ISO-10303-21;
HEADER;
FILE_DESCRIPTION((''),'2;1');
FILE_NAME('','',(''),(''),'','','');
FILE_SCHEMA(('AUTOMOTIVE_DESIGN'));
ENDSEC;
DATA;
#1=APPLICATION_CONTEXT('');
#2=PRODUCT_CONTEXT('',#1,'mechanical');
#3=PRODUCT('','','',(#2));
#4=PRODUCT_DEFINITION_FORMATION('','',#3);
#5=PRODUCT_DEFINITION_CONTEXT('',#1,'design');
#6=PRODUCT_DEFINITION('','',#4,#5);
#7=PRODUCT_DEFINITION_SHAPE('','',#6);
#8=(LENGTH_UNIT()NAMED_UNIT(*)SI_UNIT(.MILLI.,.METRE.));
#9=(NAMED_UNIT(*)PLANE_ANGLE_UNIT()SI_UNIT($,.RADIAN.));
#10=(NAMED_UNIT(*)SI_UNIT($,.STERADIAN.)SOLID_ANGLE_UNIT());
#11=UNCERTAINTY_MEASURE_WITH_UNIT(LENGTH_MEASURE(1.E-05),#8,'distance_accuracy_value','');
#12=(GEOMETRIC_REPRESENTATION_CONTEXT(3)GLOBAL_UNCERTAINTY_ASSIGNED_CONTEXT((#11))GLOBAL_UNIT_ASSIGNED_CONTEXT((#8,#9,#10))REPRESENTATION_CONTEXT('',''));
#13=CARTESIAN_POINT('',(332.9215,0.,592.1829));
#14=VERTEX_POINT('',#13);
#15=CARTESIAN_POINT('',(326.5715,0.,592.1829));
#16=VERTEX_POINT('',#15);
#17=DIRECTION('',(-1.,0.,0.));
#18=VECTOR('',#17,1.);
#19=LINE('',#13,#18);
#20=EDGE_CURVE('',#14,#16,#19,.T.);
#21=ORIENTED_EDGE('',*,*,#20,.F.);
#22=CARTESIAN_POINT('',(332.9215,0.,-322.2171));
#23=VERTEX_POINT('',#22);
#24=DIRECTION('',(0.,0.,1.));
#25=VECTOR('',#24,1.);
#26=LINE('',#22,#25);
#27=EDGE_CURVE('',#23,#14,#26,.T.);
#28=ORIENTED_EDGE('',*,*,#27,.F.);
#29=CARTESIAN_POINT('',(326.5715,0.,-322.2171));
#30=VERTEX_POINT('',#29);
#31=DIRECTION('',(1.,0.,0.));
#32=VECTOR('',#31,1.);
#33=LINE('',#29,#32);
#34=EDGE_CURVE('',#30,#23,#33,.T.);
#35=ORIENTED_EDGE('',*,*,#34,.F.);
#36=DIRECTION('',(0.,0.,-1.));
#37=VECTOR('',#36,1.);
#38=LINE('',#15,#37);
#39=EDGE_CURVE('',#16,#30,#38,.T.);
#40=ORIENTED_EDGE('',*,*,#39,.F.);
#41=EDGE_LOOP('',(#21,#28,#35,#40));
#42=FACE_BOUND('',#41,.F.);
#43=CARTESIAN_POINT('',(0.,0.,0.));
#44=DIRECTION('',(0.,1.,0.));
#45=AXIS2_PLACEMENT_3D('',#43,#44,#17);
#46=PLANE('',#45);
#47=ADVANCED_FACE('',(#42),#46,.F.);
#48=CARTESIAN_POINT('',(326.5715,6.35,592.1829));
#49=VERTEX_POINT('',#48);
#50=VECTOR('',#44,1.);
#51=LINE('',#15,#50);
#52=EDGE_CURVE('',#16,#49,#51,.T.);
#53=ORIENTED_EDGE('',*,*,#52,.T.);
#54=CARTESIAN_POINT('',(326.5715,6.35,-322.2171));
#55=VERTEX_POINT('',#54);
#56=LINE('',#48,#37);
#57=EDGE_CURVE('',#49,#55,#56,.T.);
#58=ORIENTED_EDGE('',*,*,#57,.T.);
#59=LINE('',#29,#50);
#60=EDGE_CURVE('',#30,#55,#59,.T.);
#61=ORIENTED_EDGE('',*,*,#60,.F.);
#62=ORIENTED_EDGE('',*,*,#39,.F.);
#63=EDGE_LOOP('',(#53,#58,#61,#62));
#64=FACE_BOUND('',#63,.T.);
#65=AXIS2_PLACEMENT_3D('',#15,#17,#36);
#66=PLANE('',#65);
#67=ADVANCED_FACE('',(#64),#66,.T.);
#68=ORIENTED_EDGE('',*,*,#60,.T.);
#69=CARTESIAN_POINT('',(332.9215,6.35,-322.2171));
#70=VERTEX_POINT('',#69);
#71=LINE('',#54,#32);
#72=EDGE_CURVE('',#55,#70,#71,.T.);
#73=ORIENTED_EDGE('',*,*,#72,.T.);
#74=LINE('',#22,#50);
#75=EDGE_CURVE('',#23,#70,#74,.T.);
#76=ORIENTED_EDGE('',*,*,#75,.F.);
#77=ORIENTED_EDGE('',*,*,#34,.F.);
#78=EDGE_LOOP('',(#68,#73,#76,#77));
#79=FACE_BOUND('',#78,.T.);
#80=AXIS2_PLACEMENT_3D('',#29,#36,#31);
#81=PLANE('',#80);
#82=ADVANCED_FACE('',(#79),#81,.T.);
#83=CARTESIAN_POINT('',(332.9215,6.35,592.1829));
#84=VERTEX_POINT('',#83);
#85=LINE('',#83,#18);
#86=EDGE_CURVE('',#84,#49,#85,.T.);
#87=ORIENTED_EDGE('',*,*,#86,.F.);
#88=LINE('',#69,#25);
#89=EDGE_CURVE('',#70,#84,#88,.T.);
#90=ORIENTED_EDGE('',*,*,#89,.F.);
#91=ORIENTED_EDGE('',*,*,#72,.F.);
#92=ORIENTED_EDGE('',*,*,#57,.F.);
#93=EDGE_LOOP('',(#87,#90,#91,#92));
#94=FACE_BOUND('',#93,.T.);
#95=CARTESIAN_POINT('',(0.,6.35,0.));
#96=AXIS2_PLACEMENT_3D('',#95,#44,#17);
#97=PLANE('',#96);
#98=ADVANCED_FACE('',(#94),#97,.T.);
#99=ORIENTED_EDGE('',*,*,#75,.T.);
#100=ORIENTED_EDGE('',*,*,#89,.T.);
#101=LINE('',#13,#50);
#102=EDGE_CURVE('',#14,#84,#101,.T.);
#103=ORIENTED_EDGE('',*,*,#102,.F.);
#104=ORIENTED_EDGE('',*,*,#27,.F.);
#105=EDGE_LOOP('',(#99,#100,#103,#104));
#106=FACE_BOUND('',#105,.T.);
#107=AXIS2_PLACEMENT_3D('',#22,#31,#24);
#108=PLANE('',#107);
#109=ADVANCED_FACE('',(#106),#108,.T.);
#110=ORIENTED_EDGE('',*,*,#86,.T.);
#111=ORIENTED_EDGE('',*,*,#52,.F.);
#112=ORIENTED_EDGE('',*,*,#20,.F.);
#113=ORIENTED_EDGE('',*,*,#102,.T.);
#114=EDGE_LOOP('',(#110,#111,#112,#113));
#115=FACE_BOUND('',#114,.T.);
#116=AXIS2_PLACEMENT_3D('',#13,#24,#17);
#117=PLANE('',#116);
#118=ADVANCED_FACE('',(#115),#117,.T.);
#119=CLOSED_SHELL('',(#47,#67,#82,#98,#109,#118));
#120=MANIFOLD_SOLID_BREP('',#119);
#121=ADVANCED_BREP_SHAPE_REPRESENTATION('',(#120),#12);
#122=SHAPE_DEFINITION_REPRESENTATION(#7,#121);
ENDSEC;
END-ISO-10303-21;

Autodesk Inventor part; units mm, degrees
ref_plane "YZ Plane" through (0, 0, 0) normal (1, 0, 0) x (0, 1, 0)
ref_plane "XZ Plane" through (0, 0, 0) normal (0, 1, 0) x (-1, 0, 0)
ref_plane "XY Plane" through (0, 0, 0) normal (0, 0, 1) x (1, 0, 0)
sketch "Sketch1" plane through (0, 0, 0) normal (0, 1, 0) x (-1, 0, 0)
  line L0 (-326.5715, -322.2171) -> (-332.9215, -322.2171)
  line L1 (-332.9215, -322.2171) -> (-332.9215, 592.1829)
  line L2 (-332.9215, 592.1829) -> (-326.5715, 592.1829)
  line L3 (-326.5715, 592.1829) -> (-326.5715, -322.2171)
  point P0 (0, 0)
  dimension "d0" = 914.4
  dimension "d1" = 6.35
extrude "Extrusion1" add sketch "Sketch1" along normal blind 6.35
